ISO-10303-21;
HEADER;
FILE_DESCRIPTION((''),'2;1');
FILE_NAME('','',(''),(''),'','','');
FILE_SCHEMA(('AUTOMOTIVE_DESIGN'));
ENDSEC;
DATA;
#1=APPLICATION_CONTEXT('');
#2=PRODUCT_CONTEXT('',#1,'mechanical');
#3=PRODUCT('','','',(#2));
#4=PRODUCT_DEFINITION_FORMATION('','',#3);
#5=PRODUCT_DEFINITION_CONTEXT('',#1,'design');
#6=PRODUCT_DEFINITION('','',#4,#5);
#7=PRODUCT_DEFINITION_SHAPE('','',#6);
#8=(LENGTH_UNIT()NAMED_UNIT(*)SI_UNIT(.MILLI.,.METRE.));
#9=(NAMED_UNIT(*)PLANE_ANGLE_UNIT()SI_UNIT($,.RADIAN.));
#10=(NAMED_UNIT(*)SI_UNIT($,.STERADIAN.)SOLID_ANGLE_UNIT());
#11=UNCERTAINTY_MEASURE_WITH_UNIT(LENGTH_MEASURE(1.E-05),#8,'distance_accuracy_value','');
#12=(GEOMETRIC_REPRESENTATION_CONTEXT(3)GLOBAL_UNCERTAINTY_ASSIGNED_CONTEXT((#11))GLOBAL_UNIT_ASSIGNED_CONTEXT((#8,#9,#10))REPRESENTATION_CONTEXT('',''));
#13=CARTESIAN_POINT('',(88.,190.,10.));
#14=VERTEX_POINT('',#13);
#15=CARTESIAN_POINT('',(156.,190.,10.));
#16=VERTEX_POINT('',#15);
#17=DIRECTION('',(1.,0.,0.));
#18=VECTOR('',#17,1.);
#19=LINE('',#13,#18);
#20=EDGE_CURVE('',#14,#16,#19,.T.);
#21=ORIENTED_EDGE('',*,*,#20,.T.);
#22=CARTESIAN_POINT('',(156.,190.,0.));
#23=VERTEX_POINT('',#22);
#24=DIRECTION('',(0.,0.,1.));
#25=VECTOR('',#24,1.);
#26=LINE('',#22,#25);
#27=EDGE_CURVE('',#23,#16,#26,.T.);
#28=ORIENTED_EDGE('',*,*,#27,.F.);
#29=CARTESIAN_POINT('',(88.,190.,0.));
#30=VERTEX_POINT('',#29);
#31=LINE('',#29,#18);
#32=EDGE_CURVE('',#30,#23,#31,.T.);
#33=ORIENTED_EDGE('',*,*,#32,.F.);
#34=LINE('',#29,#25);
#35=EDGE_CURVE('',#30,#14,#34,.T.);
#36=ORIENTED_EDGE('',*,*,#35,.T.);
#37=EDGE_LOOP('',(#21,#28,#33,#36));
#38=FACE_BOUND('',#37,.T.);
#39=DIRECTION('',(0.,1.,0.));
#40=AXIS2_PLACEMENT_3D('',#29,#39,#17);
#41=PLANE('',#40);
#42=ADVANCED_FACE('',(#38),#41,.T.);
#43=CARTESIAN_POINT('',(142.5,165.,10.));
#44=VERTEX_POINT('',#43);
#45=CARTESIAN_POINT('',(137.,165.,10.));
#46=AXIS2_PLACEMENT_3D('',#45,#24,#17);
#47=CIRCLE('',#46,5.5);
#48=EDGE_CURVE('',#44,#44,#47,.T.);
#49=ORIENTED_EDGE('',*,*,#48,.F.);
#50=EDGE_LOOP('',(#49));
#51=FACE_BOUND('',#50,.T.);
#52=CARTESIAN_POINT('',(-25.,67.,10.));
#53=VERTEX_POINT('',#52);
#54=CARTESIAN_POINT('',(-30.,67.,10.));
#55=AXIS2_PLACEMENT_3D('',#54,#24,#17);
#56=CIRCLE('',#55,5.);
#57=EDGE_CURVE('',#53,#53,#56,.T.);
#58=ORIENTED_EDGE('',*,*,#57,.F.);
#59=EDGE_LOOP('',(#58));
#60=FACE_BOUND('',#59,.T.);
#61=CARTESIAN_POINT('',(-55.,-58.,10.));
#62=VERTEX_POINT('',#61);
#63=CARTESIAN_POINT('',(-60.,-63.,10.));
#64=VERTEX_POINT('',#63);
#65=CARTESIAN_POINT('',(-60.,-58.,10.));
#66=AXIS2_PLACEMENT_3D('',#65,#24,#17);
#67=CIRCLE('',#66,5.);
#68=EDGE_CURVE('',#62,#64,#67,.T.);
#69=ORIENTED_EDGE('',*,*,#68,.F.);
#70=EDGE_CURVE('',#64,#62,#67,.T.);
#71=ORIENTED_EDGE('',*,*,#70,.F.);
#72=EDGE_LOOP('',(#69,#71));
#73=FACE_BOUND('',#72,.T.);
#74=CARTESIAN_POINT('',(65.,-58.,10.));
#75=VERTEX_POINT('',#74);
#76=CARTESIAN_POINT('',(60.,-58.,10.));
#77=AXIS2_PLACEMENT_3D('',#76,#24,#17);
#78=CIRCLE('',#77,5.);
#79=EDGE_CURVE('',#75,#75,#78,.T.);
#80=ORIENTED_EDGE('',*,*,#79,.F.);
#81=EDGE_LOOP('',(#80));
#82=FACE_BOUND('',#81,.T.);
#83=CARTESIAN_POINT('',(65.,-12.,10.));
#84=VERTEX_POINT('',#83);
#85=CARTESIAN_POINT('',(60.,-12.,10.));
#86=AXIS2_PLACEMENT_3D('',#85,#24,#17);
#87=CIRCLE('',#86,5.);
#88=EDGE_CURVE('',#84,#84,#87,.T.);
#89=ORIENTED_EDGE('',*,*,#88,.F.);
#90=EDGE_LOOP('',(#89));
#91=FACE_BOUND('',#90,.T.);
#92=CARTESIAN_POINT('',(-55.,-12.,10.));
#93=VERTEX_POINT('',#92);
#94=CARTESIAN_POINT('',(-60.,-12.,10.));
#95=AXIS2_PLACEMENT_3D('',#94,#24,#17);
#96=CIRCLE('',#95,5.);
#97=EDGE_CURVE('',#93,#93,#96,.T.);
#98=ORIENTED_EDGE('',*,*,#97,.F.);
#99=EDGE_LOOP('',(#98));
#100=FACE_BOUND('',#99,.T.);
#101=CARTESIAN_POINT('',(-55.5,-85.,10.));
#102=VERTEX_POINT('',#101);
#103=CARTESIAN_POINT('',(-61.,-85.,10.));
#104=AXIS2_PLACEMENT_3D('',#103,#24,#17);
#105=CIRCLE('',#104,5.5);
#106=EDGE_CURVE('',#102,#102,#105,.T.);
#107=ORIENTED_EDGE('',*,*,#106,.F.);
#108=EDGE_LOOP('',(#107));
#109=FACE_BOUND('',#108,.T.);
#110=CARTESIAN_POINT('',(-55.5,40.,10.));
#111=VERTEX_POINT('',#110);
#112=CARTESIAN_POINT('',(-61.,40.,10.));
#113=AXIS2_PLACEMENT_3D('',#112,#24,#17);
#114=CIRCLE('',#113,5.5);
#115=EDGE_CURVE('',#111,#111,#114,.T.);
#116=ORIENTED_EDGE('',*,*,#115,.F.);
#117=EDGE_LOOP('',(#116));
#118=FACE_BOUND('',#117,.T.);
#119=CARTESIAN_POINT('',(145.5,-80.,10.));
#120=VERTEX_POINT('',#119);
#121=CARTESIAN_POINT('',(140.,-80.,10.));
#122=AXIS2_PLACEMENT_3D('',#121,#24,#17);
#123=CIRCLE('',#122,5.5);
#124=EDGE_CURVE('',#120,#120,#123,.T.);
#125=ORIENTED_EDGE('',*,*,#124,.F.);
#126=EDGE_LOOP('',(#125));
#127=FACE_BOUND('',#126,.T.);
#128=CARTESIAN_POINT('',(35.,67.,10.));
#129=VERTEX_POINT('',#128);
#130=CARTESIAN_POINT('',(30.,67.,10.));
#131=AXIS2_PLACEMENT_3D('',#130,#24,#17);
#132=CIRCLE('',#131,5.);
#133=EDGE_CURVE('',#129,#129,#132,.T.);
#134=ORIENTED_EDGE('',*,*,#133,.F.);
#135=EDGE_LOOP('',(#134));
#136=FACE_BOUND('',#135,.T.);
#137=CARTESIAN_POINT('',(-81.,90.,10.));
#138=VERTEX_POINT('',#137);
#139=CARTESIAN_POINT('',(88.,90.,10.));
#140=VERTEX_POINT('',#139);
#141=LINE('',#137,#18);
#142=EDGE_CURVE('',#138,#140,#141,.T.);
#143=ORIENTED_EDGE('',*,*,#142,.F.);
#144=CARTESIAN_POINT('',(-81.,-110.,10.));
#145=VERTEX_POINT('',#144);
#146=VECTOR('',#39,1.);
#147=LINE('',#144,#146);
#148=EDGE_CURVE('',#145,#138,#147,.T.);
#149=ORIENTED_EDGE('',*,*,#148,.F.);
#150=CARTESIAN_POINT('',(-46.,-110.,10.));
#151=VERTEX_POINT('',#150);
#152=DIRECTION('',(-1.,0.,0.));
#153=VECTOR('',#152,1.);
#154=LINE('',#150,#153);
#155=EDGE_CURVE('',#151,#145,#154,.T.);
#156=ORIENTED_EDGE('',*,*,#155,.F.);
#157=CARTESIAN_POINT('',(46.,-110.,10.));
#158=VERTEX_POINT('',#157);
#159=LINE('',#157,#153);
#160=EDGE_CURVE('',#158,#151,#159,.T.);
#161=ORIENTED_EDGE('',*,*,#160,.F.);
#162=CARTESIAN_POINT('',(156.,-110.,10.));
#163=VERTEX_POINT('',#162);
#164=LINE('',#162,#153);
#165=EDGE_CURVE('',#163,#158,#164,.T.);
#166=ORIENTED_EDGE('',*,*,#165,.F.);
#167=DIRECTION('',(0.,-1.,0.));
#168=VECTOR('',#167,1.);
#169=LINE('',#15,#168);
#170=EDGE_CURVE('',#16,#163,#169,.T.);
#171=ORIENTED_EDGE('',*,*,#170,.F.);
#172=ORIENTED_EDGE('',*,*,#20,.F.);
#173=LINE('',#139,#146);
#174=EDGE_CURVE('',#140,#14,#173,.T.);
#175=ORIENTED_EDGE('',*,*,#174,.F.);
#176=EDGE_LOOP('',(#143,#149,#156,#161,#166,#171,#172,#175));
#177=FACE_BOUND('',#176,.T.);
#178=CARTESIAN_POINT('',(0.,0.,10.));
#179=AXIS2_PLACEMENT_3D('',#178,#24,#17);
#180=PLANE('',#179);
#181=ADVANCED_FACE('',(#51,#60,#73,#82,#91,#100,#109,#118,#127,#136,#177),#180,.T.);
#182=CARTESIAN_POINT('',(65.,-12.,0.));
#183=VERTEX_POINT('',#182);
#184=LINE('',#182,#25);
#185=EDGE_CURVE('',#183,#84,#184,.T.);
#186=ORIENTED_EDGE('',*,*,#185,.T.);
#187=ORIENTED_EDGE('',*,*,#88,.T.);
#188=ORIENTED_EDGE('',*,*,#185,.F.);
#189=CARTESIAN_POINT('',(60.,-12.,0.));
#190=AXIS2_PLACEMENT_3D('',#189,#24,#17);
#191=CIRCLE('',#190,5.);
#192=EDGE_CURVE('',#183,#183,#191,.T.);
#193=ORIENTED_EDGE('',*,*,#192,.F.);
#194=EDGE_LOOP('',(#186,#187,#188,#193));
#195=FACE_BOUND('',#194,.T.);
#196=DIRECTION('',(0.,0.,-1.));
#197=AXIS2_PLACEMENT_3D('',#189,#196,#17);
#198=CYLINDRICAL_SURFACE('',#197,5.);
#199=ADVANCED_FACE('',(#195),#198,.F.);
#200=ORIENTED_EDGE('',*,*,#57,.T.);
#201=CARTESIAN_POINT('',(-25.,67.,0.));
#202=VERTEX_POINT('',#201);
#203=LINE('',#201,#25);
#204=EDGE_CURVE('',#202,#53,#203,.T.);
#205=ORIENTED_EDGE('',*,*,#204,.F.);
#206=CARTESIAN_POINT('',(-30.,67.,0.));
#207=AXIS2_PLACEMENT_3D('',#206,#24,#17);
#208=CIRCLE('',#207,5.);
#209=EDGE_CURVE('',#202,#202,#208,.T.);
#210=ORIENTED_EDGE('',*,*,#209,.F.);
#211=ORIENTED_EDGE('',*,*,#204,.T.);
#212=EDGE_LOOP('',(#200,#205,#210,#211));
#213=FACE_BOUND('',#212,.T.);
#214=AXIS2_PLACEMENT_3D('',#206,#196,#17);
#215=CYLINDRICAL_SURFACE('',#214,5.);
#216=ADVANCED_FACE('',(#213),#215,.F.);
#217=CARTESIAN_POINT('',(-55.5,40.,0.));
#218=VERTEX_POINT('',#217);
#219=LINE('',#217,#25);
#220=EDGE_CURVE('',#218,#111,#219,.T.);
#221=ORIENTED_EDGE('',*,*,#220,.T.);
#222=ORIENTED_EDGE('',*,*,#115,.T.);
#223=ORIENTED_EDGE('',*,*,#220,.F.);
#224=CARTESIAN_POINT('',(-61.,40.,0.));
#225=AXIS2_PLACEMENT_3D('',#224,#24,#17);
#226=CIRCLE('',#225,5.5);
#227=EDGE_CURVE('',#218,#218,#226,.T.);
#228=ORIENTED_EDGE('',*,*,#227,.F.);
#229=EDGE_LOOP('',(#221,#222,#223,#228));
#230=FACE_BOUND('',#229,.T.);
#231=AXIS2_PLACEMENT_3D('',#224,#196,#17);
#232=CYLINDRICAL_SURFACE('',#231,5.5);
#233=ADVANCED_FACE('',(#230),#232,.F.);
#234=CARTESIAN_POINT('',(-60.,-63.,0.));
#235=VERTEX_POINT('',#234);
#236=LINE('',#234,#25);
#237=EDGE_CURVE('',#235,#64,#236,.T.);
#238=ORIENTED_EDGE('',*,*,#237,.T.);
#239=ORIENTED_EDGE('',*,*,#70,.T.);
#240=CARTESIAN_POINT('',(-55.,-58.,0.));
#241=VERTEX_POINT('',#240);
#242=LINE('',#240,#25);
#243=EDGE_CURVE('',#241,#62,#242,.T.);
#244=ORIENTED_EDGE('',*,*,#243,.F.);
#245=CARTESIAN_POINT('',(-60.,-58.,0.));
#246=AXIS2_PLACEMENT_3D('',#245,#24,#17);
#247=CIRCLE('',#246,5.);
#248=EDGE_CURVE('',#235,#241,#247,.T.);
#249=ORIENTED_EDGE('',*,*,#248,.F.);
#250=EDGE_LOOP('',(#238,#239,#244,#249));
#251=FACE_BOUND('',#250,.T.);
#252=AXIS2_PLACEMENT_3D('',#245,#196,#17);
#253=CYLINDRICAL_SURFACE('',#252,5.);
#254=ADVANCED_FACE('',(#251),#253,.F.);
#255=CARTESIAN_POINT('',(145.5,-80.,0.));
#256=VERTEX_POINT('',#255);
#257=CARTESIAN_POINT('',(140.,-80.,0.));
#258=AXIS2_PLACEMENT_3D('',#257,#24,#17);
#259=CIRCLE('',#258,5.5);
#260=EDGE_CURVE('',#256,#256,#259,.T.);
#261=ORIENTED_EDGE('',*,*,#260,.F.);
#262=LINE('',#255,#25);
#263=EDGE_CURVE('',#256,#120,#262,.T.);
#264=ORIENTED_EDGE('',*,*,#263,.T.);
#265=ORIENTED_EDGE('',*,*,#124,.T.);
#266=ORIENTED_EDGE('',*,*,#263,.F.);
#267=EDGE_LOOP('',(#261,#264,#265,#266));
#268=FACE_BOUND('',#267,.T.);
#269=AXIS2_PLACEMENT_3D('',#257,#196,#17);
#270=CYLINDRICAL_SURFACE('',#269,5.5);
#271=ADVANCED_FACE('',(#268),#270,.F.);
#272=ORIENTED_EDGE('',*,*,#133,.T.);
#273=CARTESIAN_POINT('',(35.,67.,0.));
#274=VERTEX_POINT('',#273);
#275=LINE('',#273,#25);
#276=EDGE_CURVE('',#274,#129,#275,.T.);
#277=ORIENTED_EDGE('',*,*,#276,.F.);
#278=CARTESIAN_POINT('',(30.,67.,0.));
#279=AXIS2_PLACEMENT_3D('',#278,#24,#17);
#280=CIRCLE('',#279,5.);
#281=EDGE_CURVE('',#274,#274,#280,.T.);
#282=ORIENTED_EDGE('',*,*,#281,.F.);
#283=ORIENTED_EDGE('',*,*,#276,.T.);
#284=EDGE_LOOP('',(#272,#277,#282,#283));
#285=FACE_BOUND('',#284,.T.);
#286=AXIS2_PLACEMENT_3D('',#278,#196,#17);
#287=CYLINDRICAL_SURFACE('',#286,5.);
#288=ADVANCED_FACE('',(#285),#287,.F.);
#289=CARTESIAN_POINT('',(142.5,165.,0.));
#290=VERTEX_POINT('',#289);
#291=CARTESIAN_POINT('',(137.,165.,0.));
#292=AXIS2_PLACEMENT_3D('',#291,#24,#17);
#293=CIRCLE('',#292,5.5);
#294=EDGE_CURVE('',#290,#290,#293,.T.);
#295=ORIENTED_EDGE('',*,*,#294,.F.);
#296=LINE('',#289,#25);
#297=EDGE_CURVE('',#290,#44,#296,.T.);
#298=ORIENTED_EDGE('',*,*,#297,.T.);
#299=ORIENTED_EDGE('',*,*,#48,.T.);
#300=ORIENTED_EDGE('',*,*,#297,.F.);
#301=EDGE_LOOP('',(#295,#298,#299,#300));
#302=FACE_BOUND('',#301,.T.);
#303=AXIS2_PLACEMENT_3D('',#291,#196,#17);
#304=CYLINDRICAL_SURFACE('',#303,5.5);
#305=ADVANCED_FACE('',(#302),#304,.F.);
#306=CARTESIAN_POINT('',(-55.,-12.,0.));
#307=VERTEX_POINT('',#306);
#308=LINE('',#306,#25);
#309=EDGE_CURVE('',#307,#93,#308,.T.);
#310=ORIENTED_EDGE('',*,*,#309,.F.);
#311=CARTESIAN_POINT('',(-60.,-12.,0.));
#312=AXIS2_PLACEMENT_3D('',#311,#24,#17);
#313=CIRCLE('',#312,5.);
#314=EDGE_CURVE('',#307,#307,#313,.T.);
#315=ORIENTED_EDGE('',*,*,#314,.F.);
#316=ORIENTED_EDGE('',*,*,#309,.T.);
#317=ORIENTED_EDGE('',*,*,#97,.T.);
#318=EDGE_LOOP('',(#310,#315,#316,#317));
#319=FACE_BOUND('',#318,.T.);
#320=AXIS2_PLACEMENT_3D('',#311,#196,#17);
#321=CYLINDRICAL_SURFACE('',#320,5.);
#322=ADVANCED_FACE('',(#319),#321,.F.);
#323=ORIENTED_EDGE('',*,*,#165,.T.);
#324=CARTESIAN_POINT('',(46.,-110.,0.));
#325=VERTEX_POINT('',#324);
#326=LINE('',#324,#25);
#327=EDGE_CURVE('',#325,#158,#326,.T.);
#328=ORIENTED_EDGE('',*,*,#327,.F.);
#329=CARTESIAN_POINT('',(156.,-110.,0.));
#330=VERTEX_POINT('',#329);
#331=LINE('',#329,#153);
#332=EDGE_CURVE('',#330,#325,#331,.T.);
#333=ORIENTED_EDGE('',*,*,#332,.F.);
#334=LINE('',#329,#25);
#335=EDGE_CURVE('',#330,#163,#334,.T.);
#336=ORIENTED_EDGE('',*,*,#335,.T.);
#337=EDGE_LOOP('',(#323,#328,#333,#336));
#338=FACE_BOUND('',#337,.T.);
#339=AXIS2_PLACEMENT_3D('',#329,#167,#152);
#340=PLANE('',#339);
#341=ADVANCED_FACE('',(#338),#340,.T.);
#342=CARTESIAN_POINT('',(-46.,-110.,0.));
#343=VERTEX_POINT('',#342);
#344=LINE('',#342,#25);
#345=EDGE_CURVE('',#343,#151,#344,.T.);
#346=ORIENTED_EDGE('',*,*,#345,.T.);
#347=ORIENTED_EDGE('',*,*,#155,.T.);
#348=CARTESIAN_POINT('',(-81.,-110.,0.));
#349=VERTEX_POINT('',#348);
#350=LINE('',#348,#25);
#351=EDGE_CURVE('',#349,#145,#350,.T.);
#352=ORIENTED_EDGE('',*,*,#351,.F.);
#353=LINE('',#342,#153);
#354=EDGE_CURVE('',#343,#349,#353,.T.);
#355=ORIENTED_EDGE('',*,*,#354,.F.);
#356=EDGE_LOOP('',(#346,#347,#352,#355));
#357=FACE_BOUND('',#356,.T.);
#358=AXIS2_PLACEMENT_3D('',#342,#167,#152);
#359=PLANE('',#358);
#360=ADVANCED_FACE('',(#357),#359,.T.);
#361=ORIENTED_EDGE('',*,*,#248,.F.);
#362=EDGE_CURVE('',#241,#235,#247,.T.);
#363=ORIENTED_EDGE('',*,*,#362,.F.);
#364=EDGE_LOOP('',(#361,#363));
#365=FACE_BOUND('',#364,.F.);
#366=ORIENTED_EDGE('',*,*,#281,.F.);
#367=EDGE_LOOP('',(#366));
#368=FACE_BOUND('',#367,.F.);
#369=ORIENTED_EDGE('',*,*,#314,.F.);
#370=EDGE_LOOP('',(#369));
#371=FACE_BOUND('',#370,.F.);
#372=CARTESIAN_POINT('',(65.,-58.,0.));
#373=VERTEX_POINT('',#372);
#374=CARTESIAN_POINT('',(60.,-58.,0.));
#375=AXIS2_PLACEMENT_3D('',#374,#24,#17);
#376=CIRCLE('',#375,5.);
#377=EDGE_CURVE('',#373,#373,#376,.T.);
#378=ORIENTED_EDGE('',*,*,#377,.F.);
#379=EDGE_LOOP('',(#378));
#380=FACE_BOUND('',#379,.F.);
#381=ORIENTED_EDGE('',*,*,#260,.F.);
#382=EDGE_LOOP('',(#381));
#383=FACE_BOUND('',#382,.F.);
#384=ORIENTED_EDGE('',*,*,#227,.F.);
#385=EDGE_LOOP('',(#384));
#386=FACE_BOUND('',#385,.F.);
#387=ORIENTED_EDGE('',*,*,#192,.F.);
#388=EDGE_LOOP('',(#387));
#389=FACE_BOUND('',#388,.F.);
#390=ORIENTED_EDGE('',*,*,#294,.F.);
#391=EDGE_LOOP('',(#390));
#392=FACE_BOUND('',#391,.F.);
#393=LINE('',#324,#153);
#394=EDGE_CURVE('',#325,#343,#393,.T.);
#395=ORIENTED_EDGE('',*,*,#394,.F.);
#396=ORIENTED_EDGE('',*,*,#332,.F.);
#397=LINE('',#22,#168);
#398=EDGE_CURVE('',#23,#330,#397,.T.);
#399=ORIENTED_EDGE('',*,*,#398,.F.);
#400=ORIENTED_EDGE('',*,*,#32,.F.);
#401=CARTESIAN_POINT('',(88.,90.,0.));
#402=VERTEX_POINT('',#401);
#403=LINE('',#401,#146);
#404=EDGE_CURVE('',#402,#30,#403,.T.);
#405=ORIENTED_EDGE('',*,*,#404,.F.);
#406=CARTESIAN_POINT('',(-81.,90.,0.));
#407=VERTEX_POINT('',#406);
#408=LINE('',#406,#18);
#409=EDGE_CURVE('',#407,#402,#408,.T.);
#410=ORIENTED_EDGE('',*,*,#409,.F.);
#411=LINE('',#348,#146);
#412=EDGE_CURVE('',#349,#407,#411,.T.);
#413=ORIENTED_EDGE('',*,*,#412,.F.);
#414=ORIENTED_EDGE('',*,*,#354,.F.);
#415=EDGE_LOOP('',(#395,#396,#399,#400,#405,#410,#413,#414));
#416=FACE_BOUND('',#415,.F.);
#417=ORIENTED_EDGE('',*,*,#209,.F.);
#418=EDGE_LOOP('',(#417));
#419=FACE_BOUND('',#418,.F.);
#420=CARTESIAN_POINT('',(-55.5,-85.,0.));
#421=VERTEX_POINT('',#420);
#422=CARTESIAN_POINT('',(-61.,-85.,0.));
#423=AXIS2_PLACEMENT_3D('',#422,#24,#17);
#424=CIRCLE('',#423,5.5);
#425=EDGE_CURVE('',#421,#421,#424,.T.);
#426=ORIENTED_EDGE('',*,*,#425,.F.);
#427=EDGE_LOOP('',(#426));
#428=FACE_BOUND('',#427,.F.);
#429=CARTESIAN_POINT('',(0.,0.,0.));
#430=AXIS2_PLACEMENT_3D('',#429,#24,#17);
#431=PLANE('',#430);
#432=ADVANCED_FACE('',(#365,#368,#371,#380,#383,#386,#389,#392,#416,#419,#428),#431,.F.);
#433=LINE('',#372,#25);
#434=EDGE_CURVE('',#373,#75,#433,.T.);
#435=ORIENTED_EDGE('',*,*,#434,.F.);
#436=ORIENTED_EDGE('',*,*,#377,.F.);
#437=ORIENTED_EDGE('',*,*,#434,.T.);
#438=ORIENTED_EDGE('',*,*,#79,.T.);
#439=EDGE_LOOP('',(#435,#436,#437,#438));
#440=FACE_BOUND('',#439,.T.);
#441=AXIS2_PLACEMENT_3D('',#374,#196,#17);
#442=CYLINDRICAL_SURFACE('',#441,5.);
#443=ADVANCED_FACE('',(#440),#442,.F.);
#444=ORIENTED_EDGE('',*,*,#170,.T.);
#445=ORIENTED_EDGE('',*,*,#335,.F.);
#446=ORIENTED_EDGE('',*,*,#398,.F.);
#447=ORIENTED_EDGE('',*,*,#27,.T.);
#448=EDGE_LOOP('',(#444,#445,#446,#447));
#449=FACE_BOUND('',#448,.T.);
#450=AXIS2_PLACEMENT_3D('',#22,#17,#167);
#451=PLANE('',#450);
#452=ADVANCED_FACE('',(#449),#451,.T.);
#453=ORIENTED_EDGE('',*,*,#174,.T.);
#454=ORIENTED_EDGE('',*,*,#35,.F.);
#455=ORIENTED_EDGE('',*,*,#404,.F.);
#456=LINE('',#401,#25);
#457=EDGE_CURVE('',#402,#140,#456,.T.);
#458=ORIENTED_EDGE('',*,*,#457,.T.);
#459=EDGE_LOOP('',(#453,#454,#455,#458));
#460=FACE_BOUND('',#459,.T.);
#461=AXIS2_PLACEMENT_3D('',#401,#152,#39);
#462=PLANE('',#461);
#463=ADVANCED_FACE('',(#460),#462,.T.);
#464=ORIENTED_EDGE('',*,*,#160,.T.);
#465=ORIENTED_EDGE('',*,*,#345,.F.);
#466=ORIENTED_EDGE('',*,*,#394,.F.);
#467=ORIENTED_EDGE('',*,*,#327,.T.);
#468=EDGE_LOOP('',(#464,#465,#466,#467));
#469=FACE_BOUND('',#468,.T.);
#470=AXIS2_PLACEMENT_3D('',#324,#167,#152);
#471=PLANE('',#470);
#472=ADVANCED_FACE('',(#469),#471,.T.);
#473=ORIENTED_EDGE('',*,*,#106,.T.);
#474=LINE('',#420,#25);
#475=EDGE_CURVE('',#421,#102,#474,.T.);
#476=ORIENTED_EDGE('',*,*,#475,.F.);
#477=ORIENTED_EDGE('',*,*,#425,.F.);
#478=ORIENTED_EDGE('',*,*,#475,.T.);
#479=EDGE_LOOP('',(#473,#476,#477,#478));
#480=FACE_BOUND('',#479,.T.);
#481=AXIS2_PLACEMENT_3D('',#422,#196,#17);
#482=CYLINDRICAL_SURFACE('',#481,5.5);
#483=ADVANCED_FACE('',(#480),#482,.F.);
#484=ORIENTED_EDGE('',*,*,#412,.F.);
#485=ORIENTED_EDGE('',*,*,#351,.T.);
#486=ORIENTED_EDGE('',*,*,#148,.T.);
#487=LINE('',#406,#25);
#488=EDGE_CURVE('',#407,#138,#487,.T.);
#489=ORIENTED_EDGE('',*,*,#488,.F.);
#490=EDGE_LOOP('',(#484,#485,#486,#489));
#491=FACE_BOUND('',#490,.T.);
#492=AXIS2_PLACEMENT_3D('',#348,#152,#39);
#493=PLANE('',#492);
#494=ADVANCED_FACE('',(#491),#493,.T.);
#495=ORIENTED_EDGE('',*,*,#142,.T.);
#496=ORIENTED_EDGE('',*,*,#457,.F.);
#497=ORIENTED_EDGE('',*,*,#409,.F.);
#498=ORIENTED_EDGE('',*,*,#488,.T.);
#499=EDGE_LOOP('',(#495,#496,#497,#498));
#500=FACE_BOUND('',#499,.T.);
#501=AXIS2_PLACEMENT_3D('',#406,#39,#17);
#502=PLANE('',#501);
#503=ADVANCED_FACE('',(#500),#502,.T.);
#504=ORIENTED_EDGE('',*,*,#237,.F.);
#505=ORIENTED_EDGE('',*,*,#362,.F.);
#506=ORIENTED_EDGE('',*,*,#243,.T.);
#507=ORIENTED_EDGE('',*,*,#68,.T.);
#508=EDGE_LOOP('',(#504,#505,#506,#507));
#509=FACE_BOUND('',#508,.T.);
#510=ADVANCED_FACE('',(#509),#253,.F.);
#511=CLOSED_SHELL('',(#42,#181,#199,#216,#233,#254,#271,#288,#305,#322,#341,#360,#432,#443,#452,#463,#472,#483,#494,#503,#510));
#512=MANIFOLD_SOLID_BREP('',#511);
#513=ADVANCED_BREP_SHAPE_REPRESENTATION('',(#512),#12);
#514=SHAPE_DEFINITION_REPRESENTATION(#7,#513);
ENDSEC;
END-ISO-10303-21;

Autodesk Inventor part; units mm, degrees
ref_plane "YZ Plane" through (0, 0, 0) normal (1, 0, 0) x (0, 1, 0)
ref_plane "XZ Plane" through (0, 0, 0) normal (0, 1, 0) x (-1, 0, 0)
ref_plane "XY Plane" through (0, 0, 0) normal (0, 0, 1) x (1, 0, 0)
sketch "Sketch1" plane through (0, 0, 0) normal (0, 0, 1) x (1, 0, 0)
  circle A0 centre (60, -12) radius 5
  line L0 (0, 0) -> (0, 90) construction
  circle A1 centre (-60, -12) radius 5
  line L1 (46, -110) -> (-46, -110)
  line L2 (-46, -110) -> (-46, -110)
  line L3 (-46, -110) -> (-81, -110)
  line L4 (-81, 90) -> (88, 90)
  line L5 (88, 90) -> (88, 190)
  line L6 (88, 190) -> (156, 190)
  line L7 (156, 190) -> (156, -110)
  line L8 (156, -110) -> (46, -110)
  line L9 (46, -110) -> (46, -110)
  line L10 (-81, -110) -> (-81, 90)
  circle A2 centre (30, 67) radius 5
  circle A3 centre (-30, 67) radius 5
  circle A4 centre (60, -58) radius 5
  circle A5 centre (-60, -58) radius 5
  circle A6 centre (-61, -85) radius 5.5
  circle A7 centre (140, -80) radius 5.5
  circle A8 centre (137, 165) radius 5.5
  circle A9 centre (-61, 40) radius 5.5
  line L11 (-60, -58) -> (-60, -78)
  point P0 (0, -110)
  dimension "d82" = 10
  dimension "d83" = 60
  dimension "d86" = 110
  dimension "d87" = 90
  dimension "d88" = 92
  dimension "d90" = 300
  dimension "d91" = 200
  dimension "d92" = 35
  dimension "d93" = 68
  dimension "d94" = 100
  dimension "d95" = 237
  dimension "d96" = 79
  dimension "d98" = 60
  dimension "d100" = 46
  dimension "d101" = 11
  dimension "d102" = 140
  dimension "d103" = 80
  dimension "d104" = 3
  dimension "d105" = 165
  dimension "d106" = 61
  dimension "d107" = 85
  dimension "d108" = 40
  dimension "d136" = 12
  dimension "d139" = 20
extrude "Extrusion1" add sketch "Sketch1" along normal blind 10
thread "Thread1" size "M10x1.5" class "6H" standard "ISO Metric profile" full length
thread "Thread2" size "M10x1.5" class "6H" standard "ANSI Metric M Profile" full length
thread "Thread3" size "M10x1.5" class "6H" standard "ANSI Metric M Profile" full length
thread "Thread4" size "M10x1.5" class "6H" standard "ANSI Metric M Profile" full length
properties part number "SUPPORT MAIN FRAME MOTOR-BALL SCREW-REV-B" material "Steel"
